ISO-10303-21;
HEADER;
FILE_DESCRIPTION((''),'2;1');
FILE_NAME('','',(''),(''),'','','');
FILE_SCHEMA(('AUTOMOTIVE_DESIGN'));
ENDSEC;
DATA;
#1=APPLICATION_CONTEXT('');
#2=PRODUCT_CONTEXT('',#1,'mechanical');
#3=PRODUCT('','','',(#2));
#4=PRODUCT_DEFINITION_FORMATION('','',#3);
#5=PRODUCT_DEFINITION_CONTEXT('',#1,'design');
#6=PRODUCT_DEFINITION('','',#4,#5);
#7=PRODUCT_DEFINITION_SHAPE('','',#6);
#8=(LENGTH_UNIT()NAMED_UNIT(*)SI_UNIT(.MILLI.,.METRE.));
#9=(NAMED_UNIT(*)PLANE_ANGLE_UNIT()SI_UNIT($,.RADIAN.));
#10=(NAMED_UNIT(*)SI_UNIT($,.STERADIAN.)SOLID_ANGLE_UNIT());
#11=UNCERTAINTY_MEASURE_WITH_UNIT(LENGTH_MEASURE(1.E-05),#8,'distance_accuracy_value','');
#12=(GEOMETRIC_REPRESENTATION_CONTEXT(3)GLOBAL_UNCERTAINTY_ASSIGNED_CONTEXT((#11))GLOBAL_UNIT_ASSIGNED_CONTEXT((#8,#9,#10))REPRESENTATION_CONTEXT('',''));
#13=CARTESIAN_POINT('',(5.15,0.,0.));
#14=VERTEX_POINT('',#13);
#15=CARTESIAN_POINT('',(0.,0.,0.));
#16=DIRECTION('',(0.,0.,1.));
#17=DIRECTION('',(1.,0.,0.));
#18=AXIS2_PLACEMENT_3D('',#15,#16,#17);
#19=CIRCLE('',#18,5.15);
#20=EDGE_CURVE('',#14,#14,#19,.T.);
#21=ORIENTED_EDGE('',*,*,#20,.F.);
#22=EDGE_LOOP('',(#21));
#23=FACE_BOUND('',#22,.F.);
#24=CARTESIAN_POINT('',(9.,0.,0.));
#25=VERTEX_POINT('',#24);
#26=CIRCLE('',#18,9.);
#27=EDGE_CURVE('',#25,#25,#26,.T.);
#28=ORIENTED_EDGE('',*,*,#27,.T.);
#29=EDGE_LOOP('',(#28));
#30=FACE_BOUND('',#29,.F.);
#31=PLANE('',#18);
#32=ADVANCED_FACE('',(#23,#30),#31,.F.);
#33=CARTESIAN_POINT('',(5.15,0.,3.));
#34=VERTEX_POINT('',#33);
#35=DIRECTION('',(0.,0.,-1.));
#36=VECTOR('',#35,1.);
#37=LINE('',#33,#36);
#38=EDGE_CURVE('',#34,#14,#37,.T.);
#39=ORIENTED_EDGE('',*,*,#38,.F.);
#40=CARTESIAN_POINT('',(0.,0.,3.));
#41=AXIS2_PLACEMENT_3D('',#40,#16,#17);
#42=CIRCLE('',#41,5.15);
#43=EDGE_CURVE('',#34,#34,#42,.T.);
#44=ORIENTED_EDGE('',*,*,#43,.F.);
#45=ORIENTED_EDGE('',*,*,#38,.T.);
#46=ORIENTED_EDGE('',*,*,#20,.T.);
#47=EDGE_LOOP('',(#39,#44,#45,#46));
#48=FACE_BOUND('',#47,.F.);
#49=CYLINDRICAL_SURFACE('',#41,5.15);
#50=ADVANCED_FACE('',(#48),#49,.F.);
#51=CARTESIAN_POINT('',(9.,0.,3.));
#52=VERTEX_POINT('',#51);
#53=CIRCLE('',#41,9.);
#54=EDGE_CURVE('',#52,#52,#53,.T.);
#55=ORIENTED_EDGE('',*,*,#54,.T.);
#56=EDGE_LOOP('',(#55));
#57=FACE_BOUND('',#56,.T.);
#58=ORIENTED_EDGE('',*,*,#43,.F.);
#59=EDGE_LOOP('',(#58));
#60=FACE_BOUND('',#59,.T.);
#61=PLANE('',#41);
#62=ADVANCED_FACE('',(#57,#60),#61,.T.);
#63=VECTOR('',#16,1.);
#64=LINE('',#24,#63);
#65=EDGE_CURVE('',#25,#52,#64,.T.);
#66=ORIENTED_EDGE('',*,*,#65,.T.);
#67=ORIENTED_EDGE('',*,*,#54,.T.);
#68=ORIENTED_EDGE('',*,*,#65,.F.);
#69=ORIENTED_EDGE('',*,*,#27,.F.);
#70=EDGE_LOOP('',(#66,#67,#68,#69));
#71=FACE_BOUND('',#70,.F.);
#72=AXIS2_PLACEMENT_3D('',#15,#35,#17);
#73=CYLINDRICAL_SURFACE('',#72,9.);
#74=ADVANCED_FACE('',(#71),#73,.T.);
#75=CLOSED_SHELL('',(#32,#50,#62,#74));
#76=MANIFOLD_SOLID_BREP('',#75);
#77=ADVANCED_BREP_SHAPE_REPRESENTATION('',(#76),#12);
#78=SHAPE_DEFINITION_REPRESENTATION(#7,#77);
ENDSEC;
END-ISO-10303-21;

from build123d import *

# Parameters (mm, degrees)
SKETCH_R     = 9
PAD_DEPTH    = 3
SKETCH001_R  = 5.15
POCKET_DEPTH = 5


with BuildPart() as part:
    # Sketch → Pad (new body)
    with BuildSketch(Plane.XY):
        Circle(SKETCH_R)
    extrude(amount=PAD_DEPTH)

    # Sketch001 → Pocket (cut)
    with BuildSketch(Plane.XY.offset(3)):
        Circle(SKETCH001_R)
    extrude(amount=-POCKET_DEPTH, mode=Mode.SUBTRACT)


solid = part.part
